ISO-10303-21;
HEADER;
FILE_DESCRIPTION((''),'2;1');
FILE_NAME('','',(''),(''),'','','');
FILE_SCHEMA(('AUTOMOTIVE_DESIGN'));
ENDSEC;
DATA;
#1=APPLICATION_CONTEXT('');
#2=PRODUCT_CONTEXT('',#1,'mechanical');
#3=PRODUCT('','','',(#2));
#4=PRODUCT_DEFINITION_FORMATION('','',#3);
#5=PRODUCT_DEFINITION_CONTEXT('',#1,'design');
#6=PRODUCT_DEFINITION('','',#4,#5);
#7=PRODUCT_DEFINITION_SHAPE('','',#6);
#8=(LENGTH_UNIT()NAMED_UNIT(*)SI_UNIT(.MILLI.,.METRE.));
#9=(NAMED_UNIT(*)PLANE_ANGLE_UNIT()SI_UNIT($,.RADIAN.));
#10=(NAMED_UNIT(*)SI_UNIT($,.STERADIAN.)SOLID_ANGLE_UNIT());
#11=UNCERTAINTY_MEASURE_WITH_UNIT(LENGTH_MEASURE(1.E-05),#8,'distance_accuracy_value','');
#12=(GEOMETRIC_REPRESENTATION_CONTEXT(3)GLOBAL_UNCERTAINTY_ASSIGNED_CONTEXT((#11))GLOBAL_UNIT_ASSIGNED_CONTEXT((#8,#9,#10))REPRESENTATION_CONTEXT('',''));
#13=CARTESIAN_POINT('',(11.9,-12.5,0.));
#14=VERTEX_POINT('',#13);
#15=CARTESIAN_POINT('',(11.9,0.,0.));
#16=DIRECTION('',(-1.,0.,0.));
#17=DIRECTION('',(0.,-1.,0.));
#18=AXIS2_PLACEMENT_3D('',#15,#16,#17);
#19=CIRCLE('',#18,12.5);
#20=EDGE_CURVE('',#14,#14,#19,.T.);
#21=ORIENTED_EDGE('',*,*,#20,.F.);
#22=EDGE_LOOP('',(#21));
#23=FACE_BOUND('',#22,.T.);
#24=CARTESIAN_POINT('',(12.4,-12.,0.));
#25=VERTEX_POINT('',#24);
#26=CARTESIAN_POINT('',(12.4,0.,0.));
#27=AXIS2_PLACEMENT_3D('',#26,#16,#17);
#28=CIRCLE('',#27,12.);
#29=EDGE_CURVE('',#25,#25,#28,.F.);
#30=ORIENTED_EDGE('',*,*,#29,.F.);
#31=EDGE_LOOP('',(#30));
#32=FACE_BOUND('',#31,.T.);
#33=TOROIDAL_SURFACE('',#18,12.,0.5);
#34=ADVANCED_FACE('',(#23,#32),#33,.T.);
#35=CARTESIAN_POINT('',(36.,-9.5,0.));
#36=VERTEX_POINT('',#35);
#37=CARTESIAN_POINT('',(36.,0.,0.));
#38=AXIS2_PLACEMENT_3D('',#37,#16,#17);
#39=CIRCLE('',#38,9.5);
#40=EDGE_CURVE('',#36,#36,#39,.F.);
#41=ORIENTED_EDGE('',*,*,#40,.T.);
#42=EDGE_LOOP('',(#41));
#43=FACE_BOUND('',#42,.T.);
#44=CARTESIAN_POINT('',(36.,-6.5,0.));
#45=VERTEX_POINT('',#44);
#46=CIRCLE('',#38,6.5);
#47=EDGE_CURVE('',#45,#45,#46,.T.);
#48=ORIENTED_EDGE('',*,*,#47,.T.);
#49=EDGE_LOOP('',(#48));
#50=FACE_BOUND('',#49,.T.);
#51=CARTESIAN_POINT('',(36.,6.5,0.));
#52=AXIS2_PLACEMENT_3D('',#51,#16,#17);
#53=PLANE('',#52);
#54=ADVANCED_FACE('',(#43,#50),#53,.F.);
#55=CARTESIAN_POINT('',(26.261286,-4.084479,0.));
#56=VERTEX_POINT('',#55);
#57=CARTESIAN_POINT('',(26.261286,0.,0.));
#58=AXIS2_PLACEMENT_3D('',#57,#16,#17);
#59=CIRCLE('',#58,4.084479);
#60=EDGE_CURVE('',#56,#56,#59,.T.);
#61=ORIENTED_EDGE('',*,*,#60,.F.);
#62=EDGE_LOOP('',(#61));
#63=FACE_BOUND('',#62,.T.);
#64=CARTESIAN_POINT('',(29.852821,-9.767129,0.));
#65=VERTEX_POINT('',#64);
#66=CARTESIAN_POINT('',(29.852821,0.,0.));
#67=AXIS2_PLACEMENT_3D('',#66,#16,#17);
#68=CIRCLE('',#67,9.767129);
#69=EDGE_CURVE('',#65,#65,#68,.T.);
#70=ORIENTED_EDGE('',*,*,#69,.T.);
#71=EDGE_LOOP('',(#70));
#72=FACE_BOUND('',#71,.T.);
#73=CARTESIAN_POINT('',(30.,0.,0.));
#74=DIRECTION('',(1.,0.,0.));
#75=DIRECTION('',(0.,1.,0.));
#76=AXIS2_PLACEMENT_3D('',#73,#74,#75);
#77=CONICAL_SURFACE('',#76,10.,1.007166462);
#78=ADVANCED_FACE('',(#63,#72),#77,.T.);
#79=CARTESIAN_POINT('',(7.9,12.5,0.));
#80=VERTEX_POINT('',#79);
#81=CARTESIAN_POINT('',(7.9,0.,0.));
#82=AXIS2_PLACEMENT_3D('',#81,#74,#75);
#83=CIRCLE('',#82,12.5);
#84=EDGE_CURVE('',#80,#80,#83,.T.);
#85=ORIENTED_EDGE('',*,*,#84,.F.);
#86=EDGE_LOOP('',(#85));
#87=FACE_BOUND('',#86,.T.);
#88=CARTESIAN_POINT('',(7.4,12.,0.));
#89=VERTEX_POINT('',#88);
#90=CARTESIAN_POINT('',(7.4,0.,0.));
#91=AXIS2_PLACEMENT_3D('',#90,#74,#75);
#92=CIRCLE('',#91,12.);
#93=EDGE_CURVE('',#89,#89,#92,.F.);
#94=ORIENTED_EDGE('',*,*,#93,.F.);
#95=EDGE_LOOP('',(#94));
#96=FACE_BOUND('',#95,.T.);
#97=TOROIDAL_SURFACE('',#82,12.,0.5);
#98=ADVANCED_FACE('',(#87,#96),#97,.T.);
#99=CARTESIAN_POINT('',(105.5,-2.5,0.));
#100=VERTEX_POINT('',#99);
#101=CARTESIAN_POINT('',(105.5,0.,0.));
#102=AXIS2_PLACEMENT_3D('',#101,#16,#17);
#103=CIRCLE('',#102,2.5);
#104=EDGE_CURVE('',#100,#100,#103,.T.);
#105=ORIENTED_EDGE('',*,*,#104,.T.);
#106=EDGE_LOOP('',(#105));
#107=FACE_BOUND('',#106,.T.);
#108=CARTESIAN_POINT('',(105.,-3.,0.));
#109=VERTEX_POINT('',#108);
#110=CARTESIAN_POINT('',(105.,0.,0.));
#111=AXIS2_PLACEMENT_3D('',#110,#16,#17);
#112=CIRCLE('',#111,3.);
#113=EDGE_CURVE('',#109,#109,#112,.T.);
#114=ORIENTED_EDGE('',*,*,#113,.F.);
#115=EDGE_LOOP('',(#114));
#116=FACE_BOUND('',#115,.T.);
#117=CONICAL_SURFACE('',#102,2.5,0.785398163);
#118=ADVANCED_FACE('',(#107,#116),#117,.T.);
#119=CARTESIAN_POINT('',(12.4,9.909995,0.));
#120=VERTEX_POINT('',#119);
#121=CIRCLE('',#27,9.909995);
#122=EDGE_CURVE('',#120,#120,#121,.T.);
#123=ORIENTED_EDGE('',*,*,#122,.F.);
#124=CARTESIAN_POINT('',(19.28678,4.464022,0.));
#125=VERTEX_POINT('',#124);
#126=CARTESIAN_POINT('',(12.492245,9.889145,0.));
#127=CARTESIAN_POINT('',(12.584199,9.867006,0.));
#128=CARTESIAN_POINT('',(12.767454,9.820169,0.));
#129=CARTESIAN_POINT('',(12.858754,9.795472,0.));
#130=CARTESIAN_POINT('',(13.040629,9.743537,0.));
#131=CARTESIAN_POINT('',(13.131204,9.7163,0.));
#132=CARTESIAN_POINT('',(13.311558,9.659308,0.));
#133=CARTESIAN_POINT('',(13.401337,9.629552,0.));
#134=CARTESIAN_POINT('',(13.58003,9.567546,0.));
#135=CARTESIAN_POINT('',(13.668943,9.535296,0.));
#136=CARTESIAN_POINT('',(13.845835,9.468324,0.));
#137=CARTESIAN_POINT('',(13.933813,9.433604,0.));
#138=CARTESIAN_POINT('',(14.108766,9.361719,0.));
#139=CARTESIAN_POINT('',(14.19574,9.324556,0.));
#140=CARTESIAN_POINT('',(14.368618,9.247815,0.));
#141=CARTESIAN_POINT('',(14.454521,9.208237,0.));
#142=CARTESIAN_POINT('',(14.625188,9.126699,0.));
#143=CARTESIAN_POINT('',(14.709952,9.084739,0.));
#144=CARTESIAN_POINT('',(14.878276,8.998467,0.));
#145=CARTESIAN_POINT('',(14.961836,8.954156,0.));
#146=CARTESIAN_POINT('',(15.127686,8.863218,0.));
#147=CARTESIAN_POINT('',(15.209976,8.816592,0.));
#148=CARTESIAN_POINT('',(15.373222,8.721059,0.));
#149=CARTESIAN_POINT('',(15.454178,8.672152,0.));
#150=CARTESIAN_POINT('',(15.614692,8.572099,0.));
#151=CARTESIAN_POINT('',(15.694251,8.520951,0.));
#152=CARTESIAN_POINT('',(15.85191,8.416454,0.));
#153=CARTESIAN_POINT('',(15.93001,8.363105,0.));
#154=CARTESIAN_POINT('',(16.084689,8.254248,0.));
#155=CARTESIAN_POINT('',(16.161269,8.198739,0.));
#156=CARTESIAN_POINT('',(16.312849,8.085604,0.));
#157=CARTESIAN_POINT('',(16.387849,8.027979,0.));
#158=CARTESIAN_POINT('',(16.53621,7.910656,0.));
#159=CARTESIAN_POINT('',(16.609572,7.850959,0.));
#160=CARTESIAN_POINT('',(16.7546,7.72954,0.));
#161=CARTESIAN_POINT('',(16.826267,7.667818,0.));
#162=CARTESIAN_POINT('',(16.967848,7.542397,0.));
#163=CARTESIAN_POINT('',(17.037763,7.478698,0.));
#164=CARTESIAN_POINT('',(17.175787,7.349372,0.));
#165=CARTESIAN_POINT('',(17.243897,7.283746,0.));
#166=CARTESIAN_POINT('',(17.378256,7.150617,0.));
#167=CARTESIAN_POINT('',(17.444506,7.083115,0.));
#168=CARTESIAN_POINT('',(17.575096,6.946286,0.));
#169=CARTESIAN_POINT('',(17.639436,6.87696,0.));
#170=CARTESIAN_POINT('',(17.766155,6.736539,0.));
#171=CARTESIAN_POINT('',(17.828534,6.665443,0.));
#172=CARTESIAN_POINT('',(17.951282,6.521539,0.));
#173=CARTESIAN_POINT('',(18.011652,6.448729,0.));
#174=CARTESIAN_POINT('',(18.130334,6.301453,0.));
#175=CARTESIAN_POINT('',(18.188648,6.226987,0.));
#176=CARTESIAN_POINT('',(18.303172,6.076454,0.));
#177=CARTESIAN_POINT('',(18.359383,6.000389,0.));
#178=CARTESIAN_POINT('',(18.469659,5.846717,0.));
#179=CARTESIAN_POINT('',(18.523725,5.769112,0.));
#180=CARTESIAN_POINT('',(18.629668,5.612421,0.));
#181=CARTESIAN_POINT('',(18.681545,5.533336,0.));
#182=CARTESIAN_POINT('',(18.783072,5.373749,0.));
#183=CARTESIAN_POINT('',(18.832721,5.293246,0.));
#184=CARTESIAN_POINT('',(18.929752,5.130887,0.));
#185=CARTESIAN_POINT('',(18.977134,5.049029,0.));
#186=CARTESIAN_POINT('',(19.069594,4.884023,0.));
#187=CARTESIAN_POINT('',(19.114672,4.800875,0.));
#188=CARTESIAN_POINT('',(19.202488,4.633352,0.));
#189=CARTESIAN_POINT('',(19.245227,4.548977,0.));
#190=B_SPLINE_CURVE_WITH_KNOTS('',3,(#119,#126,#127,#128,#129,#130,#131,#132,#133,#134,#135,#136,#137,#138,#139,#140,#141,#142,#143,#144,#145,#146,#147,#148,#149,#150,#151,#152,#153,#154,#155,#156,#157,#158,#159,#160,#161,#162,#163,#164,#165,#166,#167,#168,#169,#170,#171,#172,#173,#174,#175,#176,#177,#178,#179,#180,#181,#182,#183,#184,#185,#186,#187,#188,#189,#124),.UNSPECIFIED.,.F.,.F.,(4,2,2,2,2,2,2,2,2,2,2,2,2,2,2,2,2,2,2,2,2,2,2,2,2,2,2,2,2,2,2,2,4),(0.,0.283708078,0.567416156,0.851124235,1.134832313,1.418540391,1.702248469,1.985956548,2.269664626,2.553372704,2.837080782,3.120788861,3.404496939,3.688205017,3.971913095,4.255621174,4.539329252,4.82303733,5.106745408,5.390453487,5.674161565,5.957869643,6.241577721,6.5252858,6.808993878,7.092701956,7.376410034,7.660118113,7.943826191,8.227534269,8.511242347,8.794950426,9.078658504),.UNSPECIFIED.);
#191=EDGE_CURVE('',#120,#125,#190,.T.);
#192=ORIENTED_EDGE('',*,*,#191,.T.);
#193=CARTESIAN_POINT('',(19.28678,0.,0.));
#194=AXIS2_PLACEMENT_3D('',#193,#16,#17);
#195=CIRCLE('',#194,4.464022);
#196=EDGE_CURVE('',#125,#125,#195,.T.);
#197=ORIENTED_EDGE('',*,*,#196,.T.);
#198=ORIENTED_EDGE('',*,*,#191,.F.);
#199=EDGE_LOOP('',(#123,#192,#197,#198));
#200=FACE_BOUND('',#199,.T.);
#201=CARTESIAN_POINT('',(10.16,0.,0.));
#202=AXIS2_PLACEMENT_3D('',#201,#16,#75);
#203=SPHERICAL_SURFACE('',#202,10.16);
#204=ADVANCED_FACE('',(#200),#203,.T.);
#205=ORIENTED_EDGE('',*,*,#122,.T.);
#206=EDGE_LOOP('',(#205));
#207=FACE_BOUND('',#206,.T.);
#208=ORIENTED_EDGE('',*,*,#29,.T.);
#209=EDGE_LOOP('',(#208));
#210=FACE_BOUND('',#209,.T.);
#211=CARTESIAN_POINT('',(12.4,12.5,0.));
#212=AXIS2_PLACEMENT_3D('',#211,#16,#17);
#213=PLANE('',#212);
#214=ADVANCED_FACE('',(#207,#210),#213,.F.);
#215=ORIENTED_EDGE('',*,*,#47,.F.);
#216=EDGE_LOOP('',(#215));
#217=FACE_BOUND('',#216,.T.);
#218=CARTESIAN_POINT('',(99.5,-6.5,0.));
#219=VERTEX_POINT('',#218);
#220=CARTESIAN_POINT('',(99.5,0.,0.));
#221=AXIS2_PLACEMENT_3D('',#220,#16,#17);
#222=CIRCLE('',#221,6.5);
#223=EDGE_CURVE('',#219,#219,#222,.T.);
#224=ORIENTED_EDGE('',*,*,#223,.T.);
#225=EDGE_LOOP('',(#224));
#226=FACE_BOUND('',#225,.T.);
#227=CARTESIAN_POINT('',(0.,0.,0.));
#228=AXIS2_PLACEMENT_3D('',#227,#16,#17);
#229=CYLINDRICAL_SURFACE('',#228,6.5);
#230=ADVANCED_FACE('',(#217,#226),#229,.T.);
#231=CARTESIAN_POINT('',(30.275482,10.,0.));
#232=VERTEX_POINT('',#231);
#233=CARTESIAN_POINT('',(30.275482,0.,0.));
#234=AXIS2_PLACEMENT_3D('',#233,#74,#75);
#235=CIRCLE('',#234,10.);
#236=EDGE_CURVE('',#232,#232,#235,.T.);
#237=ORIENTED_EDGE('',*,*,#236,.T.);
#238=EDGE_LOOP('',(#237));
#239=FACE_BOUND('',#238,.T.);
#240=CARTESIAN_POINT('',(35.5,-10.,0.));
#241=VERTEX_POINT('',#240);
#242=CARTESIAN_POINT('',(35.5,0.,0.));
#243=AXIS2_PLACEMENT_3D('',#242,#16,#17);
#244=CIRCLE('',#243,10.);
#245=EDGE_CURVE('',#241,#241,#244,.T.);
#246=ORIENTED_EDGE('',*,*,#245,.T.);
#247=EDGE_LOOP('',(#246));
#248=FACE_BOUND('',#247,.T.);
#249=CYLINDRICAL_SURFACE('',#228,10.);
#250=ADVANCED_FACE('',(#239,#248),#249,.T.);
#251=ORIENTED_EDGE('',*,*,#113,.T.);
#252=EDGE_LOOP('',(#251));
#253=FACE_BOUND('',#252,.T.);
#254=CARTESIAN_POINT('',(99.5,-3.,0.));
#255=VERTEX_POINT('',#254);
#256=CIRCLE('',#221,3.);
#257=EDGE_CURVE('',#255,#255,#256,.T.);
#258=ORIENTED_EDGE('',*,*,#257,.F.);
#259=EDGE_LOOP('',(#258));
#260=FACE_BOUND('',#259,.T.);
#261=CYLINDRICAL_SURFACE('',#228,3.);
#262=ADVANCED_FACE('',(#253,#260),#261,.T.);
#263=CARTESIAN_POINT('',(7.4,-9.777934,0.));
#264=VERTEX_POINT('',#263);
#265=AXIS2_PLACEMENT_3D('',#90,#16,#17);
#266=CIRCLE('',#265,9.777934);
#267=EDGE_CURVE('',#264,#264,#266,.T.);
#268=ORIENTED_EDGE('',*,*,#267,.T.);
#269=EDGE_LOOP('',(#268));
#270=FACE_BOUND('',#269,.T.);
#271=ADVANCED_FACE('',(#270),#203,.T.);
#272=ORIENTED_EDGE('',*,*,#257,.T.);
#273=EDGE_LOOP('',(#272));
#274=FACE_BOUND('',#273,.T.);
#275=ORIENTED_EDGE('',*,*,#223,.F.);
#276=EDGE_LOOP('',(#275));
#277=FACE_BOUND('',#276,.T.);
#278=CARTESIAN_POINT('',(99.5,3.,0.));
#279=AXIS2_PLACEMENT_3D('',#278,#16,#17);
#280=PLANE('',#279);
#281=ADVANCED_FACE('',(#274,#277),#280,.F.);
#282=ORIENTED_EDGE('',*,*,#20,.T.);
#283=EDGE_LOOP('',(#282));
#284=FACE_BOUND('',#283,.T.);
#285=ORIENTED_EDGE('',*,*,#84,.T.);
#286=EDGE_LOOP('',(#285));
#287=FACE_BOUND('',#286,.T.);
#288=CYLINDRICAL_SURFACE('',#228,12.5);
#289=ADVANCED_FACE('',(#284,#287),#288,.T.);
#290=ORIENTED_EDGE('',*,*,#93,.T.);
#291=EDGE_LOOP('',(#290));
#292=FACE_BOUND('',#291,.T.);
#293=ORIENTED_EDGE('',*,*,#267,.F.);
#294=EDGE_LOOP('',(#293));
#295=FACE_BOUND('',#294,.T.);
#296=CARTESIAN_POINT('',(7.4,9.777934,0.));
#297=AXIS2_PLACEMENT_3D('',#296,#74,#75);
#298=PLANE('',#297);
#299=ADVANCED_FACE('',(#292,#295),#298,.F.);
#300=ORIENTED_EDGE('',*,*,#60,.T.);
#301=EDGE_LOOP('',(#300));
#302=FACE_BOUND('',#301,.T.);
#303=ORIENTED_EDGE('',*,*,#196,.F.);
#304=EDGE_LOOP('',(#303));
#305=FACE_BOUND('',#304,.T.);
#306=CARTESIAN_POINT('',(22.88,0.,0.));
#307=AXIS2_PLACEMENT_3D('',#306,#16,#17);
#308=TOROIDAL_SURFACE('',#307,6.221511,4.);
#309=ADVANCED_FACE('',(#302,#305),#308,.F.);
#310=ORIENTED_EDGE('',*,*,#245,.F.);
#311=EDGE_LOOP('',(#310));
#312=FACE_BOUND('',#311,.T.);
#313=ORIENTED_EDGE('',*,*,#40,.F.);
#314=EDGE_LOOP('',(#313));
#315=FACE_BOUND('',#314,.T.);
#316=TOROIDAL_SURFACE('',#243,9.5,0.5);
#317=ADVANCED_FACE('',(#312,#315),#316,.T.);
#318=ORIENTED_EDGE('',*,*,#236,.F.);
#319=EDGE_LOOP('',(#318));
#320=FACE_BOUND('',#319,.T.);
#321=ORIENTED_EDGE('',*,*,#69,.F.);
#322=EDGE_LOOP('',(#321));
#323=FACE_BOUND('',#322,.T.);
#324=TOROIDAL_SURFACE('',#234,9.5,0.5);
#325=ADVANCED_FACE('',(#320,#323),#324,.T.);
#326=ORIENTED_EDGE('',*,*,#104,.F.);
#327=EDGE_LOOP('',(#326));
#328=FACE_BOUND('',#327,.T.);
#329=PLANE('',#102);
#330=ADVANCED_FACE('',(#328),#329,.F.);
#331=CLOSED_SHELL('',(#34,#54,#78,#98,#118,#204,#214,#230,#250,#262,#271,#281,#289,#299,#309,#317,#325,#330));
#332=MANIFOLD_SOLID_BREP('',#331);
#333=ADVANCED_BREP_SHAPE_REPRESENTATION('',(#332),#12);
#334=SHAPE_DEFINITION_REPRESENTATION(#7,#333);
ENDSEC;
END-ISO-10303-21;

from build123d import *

# Parameters (mm, degrees)
FILLET1_R = 0.5


with BuildPart() as part:
    # Sketch1 → Revolve1 (revolve)
    with BuildSketch(Plane.XY, mode=Mode.PRIVATE) as revolve1_sk:
        with BuildLine():
            Line((0, 0), (105.5, 0))
            Line((105.5, 0), (105.5, 2.5))
            Line((105.5, 2.5), (105, 3))
            Line((105, 3), (99.5, 3))
            Line((99.5, 3), (99.5, 6.5))
            Line((99.5, 6.5), (36, 6.5))
            Line((36, 6.5), (36, 10))
            Line((36, 10), (30, 10))
            Line((30, 10), (26.261285599, 4.084478618))
            ThreePointArc((26.261285599, 4.084478618), (22.662646852, 2.227420735), (19.286779661, 4.464022068))
            ThreePointArc((19.286779661, 4.464022068), (16.462029446, 7.969317716), (12.4, 9.909994955))
            Line((12.4, 9.909994955), (12.4, 12.5))
            Line((12.4, 12.5), (7.4, 12.5))
            Line((7.4, 12.5), (7.4, 9.777934342))
            ThreePointArc((7.4, 9.777934342), (2.058543341, 6.131231524), (0, 0))
        make_face()
    revolve(revolve1_sk.sketch.rotate(Axis((0, 0, 0), (1, 0, 0)), 180), axis=Axis((0, 0, 0), (1, 0, 0)))

    # Fillet1
    fillet1_edges = [part.edges().sort_by_distance(p)[0] for p in [
        (7.4, 12.5, 0),
        (12.4, 12.5, 0),
        (30, 10, 0),
        (36, 10, 0),
    ]]
    fillet(fillet1_edges, radius=FILLET1_R)


solid = part.part
